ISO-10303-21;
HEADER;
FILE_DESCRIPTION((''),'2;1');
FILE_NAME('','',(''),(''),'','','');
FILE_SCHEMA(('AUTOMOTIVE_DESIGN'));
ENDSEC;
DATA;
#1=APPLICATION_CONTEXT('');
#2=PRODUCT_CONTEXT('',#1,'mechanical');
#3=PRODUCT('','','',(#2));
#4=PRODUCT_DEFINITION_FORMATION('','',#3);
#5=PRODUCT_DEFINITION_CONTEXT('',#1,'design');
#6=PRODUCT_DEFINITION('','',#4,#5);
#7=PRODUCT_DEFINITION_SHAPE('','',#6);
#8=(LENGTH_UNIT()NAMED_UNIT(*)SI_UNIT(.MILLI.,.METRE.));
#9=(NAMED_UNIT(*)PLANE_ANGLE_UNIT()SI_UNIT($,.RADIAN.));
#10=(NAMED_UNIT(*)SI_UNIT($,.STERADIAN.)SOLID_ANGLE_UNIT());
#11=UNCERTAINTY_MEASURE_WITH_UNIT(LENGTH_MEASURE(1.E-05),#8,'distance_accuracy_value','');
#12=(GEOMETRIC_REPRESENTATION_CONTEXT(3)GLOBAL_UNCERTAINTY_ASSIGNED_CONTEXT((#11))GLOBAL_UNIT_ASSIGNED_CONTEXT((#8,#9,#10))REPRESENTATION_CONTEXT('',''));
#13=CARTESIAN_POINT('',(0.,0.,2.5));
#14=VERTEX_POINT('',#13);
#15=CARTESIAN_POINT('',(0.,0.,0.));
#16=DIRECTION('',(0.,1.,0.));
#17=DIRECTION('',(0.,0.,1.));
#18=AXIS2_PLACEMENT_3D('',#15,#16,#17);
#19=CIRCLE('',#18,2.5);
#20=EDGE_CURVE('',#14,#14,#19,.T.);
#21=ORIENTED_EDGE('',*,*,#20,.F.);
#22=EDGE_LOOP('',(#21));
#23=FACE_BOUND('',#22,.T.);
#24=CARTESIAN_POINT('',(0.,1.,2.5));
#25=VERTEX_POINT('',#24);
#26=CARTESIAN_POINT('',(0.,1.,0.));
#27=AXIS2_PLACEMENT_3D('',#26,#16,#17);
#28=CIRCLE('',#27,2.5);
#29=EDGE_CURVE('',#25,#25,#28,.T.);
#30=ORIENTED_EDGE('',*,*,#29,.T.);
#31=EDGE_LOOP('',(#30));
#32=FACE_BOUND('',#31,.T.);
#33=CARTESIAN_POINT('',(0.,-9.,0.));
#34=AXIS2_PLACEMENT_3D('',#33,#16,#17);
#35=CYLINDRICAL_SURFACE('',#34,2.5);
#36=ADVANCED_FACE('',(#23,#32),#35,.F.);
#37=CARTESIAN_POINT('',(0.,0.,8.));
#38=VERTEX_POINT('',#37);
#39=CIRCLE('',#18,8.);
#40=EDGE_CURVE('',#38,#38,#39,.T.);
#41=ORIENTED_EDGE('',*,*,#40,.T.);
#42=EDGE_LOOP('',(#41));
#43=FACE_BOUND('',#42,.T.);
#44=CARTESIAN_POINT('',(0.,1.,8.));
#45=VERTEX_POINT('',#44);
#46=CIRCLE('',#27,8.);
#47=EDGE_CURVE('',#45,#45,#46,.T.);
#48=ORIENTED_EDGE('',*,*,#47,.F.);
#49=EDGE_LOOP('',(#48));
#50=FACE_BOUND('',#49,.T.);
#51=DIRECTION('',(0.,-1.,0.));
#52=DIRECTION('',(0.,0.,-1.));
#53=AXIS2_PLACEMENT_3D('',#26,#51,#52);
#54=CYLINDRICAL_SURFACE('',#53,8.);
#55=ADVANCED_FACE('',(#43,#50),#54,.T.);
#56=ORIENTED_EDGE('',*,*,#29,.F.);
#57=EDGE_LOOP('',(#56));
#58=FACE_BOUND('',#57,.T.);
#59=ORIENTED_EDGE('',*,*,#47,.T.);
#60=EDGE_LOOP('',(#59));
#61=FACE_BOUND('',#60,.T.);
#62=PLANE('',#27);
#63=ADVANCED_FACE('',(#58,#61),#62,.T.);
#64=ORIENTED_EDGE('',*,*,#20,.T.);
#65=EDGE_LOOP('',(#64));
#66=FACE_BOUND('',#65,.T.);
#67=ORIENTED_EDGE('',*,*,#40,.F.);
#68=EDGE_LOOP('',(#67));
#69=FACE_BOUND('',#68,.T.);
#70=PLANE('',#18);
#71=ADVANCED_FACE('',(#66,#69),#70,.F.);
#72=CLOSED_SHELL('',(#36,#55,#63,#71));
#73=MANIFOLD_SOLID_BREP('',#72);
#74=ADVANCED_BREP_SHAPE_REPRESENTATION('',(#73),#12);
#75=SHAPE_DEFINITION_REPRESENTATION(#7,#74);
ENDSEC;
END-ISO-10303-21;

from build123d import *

# Parameters (mm, degrees)
SKETCH1_R           = 8
SKETCH1_R_2         = 2.125
BOSS_EXTRUDE1_DEPTH = 1
SKETCH2_R           = 2.5
CUT_EXTRUDE1_DEPTH  = 10


with BuildPart() as part:
    # Sketch1 → Boss-Extrude1 (new body)
    with BuildSketch(Plane(origin=(0, 0, 0), x_dir=(1, 0, 0), z_dir=(0, 1, 0))):
        with Locations(Location((0, 0, 0), (0, 0, 270))):
            Circle(SKETCH1_R)
        with Locations(Location((0, 0, 0), (0, 0, 270))):
            Circle(SKETCH1_R_2, mode=Mode.SUBTRACT)
    extrude(amount=BOSS_EXTRUDE1_DEPTH)

    # Sketch2 → Cut-Extrude1 (cut)
    with BuildSketch(Plane(origin=(0, 1, 0), x_dir=(1, 0, 0), z_dir=(0, 1, 0))):
        with Locations(Location((0, 0, 0), (0, 0, 270))):
            Circle(SKETCH2_R)
    extrude(amount=-CUT_EXTRUDE1_DEPTH, mode=Mode.SUBTRACT)


solid = part.part
